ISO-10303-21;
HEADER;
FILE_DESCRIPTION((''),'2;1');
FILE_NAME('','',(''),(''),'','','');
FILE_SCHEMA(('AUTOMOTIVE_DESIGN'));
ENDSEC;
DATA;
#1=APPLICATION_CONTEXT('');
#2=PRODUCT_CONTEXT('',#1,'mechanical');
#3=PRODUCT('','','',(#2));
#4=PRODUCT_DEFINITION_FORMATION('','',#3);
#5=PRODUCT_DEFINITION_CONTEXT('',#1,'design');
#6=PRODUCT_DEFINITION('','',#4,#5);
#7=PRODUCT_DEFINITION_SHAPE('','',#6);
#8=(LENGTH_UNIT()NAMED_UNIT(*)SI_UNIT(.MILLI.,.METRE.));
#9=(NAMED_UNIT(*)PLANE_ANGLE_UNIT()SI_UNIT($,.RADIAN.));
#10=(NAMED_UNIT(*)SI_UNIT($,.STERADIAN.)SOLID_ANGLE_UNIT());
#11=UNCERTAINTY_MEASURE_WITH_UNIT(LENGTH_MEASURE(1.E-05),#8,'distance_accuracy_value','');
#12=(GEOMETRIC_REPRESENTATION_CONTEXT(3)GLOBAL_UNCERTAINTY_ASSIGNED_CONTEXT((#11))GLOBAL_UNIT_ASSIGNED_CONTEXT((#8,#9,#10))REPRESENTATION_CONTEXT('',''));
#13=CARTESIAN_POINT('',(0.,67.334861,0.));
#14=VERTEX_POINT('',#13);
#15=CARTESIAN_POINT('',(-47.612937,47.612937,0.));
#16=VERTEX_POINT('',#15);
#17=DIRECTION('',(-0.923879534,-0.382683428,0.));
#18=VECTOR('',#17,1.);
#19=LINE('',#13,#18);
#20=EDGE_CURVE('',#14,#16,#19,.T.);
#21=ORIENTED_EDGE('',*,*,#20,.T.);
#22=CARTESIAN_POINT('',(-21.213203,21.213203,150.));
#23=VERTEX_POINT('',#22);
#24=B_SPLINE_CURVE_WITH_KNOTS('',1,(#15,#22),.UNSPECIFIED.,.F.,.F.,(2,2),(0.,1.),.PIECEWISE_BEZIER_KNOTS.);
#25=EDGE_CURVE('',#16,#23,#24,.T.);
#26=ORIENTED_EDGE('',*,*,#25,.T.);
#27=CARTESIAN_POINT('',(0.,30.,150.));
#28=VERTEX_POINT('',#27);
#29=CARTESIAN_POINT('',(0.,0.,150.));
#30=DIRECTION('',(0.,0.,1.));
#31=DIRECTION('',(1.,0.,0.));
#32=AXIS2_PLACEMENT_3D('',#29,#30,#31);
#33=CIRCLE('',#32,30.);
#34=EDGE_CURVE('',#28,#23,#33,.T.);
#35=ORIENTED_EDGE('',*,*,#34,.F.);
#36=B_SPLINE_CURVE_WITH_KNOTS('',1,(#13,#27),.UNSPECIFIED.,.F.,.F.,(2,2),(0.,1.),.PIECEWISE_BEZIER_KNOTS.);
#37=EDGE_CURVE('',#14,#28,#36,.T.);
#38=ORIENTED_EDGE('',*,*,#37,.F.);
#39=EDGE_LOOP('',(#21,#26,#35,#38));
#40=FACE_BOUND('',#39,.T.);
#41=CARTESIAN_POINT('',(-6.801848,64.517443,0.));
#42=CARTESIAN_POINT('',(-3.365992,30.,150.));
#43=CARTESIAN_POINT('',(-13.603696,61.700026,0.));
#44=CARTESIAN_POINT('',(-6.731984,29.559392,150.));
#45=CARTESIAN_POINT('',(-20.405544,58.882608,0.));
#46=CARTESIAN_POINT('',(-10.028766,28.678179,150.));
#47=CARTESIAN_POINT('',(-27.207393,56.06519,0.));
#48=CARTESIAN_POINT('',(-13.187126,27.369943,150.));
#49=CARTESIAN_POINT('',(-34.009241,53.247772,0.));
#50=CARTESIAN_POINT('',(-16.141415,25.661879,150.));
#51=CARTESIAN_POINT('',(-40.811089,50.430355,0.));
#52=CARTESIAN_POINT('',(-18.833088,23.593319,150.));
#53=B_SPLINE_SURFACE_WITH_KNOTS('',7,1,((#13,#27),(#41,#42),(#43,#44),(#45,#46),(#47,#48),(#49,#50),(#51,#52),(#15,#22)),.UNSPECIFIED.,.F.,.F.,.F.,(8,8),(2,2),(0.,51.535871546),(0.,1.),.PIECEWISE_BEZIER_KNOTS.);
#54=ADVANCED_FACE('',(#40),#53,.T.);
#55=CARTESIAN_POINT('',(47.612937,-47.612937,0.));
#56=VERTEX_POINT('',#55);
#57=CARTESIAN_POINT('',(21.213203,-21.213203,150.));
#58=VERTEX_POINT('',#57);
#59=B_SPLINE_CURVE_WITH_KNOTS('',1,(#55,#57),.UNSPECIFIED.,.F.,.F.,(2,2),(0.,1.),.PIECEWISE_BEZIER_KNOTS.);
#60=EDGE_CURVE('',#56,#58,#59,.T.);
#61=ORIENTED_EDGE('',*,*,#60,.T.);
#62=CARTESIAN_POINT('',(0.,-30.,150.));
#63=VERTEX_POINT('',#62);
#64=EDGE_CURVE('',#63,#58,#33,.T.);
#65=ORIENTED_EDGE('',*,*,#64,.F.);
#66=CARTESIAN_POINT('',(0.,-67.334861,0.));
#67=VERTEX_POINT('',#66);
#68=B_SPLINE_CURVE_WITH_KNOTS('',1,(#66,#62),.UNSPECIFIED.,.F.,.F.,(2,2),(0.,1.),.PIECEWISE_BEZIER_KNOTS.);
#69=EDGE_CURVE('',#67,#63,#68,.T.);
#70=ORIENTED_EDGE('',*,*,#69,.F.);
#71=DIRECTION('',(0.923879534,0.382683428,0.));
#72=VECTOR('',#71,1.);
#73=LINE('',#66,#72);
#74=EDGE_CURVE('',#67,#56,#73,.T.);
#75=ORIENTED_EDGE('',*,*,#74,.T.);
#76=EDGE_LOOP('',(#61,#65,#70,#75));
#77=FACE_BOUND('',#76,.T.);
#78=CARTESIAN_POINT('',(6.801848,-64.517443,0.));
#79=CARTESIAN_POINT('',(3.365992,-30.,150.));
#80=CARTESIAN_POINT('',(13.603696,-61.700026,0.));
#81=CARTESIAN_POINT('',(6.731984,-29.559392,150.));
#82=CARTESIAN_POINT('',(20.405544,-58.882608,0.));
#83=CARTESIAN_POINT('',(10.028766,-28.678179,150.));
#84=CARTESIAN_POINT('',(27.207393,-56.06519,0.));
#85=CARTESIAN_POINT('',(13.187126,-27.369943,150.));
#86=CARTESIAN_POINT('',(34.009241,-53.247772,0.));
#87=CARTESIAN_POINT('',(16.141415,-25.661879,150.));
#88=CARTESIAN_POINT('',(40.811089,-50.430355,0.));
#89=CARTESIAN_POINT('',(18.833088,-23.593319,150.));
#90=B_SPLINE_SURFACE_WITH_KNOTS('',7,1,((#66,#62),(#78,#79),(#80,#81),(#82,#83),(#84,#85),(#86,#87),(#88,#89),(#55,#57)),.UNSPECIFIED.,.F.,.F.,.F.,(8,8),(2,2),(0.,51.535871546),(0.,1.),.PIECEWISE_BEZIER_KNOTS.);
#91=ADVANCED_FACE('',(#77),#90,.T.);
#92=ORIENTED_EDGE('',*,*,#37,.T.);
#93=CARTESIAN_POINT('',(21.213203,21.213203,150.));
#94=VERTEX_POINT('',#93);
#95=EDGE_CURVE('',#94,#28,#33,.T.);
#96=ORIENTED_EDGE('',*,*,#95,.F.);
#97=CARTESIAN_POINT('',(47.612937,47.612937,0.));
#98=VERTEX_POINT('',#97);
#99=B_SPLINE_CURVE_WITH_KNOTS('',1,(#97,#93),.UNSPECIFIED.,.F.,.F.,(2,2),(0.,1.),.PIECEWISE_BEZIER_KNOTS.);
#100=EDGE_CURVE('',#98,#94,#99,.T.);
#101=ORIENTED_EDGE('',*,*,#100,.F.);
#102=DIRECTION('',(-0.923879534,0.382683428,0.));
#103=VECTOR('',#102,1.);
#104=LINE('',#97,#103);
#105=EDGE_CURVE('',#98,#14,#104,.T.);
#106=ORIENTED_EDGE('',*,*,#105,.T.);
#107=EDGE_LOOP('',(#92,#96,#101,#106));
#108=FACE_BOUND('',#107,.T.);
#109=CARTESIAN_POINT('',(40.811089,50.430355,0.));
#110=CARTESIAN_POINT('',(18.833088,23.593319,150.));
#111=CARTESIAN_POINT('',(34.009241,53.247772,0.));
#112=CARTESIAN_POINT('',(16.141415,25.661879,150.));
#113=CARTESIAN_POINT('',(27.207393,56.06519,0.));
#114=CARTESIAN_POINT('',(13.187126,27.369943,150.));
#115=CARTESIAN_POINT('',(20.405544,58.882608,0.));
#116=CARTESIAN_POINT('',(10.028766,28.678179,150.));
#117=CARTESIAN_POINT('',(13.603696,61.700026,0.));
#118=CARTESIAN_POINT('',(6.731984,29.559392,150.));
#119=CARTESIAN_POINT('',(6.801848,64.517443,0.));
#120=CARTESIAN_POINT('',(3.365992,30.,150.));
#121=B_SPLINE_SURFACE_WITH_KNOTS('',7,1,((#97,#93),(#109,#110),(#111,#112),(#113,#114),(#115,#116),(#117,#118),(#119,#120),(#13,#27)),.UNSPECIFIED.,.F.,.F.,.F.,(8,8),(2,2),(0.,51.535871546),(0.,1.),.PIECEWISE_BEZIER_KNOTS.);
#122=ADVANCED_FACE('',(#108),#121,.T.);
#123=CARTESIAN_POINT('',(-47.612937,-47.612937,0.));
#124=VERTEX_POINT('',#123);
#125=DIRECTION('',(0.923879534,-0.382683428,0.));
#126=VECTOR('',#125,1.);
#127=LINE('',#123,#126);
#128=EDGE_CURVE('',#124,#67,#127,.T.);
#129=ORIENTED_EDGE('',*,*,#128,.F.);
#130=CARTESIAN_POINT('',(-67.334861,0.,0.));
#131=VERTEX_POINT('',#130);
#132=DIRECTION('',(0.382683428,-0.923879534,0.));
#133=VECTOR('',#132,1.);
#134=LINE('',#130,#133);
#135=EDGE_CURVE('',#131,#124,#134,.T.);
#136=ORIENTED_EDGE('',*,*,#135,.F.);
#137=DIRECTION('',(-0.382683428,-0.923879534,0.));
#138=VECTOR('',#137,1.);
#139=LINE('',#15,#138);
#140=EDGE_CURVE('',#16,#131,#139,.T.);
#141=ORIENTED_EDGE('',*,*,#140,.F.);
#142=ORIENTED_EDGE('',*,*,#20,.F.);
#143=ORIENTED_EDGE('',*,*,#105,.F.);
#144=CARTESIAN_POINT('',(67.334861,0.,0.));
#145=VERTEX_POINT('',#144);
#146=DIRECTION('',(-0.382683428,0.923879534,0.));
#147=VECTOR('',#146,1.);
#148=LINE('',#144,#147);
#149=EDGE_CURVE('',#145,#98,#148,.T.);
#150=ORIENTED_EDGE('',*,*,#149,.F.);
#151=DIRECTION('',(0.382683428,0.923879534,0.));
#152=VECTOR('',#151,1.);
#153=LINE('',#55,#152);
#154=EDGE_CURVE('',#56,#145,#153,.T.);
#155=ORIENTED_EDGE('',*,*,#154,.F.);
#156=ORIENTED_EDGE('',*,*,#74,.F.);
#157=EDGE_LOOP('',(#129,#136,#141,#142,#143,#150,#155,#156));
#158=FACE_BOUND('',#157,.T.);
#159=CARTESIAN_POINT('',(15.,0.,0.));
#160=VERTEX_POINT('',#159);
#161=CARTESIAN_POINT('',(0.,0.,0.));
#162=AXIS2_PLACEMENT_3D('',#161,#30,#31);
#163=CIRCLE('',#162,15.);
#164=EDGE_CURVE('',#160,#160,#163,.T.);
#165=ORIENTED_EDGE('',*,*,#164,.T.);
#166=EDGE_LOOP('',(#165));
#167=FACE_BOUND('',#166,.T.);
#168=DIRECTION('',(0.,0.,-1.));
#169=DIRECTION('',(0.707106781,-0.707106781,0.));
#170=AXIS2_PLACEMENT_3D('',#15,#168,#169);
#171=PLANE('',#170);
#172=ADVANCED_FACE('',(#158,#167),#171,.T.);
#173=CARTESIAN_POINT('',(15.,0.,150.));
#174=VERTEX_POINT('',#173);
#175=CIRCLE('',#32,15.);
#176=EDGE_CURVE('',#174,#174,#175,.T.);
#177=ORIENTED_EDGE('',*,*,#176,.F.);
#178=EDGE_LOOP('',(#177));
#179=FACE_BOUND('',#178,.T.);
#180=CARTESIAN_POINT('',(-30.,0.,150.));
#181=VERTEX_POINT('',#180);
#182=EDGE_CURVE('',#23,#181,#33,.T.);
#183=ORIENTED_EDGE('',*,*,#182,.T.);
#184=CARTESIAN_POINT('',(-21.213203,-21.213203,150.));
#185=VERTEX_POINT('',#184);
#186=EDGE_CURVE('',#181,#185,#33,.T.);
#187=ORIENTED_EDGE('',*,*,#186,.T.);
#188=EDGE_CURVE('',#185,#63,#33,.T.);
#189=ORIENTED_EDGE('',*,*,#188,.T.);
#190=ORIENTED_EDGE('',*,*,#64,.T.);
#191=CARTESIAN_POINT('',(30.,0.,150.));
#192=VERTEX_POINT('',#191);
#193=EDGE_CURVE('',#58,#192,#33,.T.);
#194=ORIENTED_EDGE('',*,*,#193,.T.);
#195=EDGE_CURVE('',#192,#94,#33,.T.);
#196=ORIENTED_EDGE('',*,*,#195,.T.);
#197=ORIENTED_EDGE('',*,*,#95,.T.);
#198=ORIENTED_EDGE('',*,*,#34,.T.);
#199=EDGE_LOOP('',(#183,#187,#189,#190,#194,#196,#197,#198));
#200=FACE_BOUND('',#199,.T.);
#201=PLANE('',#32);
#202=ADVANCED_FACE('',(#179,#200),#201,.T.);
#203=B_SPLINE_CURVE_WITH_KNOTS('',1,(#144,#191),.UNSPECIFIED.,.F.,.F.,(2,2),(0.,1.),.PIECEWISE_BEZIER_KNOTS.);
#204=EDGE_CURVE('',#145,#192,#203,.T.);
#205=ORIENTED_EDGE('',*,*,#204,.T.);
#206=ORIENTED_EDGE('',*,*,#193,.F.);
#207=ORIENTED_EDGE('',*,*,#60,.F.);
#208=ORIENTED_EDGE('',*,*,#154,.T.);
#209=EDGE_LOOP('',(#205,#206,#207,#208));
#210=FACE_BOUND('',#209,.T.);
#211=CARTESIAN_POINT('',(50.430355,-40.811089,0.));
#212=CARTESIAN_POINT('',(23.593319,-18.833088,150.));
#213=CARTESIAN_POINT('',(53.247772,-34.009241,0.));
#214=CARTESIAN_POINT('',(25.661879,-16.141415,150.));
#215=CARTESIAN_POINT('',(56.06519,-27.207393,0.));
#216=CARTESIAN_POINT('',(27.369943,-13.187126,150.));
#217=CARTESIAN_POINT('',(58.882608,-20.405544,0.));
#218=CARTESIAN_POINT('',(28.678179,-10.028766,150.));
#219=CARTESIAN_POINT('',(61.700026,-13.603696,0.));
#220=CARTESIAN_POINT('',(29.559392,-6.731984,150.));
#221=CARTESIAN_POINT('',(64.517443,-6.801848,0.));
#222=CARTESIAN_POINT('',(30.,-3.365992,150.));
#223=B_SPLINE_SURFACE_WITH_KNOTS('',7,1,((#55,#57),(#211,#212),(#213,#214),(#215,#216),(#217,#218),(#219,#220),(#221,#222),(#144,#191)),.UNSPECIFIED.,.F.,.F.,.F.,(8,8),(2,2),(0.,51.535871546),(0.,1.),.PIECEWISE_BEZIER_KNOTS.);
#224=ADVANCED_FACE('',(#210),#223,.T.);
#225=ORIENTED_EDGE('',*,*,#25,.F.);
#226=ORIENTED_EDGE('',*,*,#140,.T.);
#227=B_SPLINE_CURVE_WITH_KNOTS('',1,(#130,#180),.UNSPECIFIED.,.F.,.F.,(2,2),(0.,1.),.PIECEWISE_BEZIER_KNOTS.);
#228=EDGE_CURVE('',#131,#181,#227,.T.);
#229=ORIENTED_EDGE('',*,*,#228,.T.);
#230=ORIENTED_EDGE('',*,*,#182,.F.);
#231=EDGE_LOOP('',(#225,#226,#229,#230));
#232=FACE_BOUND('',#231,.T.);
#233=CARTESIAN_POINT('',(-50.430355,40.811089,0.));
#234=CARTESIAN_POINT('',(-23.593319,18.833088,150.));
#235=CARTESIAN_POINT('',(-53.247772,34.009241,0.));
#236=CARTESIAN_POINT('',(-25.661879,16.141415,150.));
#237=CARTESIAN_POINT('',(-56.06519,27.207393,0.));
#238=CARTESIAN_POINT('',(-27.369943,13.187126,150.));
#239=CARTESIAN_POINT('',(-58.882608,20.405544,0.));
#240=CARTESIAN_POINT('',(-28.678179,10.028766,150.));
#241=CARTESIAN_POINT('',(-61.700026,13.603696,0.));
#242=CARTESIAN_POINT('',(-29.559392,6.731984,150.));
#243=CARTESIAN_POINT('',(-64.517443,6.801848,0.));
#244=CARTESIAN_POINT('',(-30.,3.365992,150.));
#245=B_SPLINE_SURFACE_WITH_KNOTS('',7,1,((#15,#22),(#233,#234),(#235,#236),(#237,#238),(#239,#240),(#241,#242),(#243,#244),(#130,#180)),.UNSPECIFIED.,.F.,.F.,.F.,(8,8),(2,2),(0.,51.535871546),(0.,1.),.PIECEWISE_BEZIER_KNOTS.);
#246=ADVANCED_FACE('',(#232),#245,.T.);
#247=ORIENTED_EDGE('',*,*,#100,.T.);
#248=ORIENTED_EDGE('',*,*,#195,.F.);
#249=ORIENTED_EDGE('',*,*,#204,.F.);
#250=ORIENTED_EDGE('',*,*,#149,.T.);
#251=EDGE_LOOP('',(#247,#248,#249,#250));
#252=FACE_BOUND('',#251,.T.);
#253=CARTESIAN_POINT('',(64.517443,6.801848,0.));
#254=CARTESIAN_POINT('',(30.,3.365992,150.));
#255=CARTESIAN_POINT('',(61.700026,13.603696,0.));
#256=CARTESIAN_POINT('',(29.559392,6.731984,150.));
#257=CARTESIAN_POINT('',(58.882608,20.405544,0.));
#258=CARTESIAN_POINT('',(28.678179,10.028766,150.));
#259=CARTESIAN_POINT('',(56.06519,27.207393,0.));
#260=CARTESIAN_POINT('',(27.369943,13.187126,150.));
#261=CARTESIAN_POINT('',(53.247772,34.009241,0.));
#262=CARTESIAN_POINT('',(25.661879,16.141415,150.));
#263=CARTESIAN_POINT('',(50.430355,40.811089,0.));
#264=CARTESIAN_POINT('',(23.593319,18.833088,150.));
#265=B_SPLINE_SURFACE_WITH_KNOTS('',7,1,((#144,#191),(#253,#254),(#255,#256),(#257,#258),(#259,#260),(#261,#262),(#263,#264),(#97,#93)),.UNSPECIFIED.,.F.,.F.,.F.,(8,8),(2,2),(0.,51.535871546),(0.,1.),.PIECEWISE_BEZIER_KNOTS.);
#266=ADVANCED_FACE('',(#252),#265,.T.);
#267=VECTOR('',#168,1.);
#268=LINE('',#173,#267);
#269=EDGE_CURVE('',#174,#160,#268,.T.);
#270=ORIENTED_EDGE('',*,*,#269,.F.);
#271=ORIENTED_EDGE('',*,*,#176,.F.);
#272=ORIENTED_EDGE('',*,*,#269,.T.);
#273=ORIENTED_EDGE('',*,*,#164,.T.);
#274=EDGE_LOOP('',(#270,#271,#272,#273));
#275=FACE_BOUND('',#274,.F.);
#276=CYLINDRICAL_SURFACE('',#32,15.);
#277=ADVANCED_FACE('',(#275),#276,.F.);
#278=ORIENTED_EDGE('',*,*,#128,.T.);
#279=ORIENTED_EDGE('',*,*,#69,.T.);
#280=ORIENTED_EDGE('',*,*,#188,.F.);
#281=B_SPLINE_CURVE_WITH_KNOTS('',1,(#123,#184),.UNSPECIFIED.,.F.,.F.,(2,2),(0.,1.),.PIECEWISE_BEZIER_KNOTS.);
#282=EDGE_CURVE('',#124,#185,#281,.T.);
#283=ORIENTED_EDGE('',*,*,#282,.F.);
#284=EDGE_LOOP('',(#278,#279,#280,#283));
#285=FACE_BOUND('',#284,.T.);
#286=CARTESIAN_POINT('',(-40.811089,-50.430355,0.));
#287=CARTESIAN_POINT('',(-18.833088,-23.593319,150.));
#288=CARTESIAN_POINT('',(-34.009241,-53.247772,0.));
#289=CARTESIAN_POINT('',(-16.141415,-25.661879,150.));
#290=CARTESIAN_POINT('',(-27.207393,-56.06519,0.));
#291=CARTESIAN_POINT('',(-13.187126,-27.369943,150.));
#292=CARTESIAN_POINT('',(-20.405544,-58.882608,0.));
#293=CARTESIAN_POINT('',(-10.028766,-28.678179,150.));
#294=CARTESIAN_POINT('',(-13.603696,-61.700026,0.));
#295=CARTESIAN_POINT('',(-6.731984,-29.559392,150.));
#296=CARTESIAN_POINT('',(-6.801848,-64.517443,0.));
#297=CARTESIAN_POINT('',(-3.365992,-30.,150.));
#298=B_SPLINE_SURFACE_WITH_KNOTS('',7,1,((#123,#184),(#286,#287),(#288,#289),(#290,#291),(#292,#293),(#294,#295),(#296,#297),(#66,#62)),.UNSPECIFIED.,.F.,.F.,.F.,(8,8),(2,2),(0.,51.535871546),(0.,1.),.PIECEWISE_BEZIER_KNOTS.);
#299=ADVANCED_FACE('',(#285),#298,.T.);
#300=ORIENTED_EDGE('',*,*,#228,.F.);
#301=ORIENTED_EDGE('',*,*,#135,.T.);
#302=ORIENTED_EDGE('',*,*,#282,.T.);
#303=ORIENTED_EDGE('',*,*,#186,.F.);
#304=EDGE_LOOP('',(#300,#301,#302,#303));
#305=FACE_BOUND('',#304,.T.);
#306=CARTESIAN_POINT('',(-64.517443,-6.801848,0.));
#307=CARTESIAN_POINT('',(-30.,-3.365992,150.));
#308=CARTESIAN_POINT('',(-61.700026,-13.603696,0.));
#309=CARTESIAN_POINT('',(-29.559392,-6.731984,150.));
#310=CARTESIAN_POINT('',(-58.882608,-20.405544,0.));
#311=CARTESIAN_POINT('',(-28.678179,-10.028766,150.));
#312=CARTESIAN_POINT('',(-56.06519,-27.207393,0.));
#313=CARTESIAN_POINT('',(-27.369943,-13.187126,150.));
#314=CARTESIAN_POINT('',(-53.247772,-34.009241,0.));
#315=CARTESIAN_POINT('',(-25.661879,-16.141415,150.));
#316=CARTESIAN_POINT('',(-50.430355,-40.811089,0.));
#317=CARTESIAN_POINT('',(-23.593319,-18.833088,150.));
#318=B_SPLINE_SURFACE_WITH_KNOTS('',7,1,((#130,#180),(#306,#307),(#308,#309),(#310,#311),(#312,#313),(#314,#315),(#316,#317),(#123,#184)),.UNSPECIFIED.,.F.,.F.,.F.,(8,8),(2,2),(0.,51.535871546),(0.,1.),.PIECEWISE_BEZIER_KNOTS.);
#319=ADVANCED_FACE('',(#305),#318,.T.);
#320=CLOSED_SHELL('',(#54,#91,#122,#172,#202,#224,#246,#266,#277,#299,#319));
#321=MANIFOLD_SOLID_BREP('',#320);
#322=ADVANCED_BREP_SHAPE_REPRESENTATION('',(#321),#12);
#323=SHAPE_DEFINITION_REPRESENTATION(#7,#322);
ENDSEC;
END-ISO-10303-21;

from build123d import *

# Parameters (mm, degrees)
F2_R     = 30
F4_R     = 15
F5_DEPTH = 226.1


with BuildPart() as f3:
    # F0 (on Top) → F3 section 0
    with BuildSketch(Plane.XY):
        Polygon((-47.612937, 47.612937), (-67.334861, 0), (-47.612937, -47.612937), (0, -67.334861), (47.612937, -47.612937), (67.334861, 0), (47.612937, 47.612937), (0, 67.334861), align=None)
    # F2 (on offset) → F3 section 1
    with BuildSketch(Plane.XY.offset(150)):
        Circle(F2_R)
    loft()

    # F4 (on offset) → F5 (cut)
    with BuildSketch(Plane.XY.offset(150)):
        Circle(F4_R)
    extrude(amount=-F5_DEPTH, mode=Mode.SUBTRACT)


solid = f3.part
